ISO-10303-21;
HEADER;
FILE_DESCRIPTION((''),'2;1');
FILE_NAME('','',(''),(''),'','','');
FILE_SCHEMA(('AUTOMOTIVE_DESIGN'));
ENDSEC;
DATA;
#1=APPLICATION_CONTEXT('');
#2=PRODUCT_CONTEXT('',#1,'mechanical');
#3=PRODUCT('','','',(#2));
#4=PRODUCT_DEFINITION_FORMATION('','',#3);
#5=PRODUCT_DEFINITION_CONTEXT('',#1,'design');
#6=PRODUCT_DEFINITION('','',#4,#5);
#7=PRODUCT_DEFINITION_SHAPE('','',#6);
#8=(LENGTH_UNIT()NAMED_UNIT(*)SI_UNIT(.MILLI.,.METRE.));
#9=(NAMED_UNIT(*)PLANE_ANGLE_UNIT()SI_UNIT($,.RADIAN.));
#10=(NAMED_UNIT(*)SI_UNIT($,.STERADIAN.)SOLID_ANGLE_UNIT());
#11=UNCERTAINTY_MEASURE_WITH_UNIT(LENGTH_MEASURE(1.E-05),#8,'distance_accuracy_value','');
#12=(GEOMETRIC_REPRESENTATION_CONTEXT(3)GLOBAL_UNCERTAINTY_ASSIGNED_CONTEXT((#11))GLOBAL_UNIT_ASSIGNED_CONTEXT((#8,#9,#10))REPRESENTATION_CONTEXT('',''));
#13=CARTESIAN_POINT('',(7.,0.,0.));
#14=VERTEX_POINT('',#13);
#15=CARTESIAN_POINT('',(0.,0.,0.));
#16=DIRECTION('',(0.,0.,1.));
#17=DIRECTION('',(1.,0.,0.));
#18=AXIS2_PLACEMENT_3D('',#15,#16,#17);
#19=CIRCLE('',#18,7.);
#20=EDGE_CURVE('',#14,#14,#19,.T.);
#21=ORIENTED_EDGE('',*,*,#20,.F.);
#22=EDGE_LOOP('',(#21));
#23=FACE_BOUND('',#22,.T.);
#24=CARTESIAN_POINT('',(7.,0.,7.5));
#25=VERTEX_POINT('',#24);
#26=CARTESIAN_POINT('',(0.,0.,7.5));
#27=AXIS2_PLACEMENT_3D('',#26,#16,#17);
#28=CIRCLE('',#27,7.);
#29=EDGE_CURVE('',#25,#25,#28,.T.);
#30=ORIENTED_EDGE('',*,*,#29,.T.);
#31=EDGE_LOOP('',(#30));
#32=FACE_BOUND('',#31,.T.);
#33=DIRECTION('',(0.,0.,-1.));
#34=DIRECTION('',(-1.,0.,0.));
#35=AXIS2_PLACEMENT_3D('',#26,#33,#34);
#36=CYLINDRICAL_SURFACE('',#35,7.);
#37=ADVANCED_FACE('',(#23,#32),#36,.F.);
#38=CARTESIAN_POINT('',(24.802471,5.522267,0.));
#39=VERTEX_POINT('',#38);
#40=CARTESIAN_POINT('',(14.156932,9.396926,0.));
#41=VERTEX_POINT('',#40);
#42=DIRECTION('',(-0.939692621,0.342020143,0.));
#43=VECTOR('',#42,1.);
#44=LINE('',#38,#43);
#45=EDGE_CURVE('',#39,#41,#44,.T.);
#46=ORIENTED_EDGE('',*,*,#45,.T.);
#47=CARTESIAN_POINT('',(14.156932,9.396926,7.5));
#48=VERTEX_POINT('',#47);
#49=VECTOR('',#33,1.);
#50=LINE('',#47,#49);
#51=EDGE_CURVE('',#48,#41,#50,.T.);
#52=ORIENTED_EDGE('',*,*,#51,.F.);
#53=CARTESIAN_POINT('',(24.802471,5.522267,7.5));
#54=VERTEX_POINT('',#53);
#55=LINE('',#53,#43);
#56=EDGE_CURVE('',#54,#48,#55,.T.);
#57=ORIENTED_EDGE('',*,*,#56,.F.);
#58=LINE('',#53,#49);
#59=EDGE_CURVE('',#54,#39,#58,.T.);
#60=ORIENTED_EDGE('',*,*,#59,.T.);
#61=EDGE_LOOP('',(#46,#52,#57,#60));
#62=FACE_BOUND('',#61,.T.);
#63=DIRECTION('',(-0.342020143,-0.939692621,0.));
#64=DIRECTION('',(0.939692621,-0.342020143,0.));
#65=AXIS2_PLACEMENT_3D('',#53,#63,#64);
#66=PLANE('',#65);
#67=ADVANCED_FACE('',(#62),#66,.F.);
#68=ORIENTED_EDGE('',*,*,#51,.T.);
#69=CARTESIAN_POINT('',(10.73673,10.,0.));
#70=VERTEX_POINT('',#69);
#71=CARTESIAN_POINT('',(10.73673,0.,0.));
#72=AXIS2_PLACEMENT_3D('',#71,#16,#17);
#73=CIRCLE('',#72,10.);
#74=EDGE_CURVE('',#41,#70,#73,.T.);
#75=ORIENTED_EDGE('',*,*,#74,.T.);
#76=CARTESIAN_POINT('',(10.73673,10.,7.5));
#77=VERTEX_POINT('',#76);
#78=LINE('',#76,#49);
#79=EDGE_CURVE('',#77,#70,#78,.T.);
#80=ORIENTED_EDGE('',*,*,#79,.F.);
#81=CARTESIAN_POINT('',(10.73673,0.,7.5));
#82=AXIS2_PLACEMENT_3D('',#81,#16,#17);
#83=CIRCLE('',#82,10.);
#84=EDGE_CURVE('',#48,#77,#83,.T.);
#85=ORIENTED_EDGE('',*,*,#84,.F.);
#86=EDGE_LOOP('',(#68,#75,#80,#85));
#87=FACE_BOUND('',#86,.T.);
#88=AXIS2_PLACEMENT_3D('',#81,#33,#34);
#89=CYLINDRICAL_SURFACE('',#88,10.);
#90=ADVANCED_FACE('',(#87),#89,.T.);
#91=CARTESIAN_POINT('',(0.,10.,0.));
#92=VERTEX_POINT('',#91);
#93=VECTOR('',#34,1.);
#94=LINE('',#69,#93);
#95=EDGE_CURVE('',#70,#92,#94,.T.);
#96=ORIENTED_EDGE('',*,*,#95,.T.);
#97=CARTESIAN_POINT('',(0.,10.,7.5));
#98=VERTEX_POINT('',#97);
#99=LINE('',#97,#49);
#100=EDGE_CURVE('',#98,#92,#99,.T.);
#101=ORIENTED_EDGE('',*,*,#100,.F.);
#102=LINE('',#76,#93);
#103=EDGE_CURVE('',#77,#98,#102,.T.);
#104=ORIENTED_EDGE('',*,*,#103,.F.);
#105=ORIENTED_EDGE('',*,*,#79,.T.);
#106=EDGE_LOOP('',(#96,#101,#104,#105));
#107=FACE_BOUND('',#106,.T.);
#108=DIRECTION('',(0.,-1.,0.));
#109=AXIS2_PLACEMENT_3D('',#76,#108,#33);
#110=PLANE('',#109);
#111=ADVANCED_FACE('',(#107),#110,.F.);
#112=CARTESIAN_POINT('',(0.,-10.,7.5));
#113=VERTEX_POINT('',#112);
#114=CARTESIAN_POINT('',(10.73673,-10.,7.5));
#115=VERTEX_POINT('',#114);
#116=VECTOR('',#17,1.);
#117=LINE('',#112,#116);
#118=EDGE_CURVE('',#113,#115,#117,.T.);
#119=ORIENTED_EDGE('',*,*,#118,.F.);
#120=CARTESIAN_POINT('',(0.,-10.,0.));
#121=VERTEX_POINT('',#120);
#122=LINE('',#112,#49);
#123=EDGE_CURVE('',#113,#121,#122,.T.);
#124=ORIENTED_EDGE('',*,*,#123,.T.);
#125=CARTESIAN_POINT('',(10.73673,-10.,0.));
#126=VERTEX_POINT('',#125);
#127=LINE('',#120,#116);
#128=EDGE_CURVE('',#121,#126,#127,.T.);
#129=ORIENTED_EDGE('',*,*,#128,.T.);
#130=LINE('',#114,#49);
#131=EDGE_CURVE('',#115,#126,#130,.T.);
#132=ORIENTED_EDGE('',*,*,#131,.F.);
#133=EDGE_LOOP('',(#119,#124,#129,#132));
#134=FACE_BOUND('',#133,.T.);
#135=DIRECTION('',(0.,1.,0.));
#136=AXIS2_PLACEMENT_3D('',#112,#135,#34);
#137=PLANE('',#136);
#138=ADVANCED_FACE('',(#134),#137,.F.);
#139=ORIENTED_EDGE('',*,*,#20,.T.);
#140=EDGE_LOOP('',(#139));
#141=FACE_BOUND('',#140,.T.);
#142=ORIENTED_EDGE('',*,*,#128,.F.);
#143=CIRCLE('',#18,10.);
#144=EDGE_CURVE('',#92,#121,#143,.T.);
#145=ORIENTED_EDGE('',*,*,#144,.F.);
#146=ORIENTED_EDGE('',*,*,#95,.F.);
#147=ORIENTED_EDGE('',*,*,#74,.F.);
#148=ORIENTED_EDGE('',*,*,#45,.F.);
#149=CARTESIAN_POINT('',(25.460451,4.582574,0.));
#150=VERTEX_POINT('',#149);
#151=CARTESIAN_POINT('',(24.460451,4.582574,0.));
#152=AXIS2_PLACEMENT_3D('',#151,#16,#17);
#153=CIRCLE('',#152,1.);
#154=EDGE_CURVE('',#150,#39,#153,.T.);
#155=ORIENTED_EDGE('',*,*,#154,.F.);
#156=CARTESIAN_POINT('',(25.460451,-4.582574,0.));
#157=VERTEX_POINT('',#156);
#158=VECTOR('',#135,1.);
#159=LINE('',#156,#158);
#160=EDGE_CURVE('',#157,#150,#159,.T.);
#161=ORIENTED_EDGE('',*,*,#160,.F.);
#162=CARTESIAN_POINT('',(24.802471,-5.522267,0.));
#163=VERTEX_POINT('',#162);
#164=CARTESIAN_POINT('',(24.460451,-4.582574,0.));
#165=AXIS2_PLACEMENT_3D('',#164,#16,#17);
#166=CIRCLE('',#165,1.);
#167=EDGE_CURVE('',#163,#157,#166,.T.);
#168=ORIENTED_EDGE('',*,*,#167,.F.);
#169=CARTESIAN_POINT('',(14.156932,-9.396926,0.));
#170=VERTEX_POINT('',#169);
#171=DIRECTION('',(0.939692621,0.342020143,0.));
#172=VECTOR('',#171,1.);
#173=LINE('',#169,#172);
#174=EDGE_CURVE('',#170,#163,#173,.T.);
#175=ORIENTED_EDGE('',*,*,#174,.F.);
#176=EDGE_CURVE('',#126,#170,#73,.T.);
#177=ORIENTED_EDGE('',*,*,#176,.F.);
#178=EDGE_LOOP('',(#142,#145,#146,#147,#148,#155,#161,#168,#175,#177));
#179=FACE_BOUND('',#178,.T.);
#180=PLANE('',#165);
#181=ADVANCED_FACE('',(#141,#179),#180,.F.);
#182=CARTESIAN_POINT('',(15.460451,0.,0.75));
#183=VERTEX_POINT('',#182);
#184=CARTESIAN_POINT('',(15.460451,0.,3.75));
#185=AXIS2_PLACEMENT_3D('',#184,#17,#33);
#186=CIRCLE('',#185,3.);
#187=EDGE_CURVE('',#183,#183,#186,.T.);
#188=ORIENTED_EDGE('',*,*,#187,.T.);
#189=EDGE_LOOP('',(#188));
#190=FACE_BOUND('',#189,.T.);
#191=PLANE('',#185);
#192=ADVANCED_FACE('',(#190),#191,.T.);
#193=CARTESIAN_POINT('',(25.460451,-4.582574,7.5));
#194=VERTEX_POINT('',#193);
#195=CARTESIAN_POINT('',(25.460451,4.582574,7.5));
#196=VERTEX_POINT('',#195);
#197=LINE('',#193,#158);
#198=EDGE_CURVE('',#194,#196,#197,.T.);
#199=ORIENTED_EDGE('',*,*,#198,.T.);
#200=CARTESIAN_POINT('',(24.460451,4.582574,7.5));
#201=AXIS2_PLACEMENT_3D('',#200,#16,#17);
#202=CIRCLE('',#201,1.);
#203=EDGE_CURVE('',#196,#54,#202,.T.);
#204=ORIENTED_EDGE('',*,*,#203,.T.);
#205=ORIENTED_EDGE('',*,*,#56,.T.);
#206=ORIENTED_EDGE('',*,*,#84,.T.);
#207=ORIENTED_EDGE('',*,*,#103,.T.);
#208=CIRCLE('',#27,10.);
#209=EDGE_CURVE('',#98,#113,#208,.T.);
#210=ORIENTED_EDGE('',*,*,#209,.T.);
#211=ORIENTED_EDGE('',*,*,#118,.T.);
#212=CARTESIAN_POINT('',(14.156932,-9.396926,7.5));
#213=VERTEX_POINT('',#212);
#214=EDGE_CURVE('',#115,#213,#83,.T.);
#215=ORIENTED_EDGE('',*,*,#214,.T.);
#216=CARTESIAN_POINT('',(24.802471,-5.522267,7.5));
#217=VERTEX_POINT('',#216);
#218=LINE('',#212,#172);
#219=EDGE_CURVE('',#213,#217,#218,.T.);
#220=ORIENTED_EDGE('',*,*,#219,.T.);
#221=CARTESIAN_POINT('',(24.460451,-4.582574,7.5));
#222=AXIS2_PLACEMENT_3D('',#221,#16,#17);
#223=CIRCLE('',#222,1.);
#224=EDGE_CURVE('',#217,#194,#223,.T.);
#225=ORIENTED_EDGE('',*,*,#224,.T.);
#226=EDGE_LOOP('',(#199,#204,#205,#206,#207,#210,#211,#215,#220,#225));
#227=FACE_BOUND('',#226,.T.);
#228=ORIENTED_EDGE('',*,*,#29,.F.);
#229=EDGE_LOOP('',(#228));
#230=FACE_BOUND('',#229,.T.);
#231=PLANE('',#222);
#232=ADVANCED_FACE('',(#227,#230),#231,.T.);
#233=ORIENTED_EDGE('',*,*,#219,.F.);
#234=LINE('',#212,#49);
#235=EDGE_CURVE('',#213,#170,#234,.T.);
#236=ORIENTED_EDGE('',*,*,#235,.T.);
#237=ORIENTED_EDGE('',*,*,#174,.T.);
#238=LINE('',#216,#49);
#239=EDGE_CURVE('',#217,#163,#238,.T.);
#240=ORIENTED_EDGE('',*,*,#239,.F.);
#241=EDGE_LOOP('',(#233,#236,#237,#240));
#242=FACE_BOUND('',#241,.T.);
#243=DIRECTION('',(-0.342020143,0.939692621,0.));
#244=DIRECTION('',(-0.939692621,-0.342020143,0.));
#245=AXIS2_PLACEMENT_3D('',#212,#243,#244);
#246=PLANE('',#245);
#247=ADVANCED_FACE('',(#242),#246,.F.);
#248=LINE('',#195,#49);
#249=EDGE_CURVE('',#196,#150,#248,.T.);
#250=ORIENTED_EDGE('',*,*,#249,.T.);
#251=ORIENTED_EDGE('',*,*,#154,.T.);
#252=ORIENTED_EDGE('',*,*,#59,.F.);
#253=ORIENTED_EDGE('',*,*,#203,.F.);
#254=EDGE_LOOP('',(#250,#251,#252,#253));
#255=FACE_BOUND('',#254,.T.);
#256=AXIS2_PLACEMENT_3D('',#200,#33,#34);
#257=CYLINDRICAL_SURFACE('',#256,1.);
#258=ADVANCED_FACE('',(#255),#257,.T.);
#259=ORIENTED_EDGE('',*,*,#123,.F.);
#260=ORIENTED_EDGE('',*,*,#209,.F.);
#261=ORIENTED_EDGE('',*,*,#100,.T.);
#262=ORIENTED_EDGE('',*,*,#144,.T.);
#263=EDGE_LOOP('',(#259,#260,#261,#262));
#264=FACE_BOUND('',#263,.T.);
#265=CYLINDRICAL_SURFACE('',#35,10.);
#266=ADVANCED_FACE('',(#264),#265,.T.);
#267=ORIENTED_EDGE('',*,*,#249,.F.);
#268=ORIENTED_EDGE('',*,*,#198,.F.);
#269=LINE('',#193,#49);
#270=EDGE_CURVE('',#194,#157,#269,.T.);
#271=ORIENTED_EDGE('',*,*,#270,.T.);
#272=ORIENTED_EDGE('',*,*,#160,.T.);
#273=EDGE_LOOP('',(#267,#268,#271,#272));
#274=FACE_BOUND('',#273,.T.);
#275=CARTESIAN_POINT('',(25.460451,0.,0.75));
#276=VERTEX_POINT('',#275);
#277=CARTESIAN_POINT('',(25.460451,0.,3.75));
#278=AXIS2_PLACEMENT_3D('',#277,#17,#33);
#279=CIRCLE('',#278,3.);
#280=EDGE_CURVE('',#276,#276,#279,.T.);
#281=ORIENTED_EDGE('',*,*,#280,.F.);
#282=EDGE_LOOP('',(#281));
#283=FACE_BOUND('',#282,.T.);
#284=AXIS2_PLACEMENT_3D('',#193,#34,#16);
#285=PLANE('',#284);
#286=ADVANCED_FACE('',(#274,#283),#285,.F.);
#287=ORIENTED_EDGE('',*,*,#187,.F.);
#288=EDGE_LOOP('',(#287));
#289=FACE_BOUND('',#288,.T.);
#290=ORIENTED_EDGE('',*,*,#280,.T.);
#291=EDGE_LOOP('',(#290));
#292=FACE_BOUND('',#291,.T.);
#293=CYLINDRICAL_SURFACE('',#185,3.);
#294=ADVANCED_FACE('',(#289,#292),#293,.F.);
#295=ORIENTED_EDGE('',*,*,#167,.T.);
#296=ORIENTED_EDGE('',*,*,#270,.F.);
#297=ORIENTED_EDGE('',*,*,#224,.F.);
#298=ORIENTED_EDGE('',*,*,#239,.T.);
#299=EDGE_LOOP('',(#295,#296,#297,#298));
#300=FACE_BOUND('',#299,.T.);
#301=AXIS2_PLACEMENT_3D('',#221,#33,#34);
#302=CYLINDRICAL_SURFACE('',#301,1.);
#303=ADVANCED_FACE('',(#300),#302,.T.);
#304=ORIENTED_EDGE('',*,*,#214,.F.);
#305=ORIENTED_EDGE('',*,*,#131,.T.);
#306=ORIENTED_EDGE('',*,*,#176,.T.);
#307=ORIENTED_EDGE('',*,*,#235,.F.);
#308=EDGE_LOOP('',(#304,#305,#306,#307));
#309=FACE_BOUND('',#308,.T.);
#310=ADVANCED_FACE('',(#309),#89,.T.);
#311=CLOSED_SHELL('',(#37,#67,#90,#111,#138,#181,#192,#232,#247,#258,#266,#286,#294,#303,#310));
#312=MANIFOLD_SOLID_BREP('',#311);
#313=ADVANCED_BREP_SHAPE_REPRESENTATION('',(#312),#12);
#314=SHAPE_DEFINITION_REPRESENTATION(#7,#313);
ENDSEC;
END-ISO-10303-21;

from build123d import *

# Parameters (mm, degrees)
SKETCH1_R           = 7
BOSS_EXTRUDE1_DEPTH = 7.5
SKETCH2_R           = 3
CUT_EXTRUDE1_DEPTH  = 10


with BuildPart() as part:
    # Sketch1 → Boss-Extrude1 (new body)
    with BuildSketch(Plane.XY):
        with BuildLine():
            Line((25.460451105, -4.582574037), (25.460451105, 4.582574037))
            ThreePointArc((25.460451105, 4.582574037), (25.279603149, 5.156150473), (24.802471248, 5.522266658))
            Line((24.802471248, 5.522266658), (14.156931626, 9.396926208))
            ThreePointArc((14.156931626, 9.396926208), (12.47321197, 9.84807753), (10.736730193, 10))
            Line((10.736730193, 10), (0, 10))
            ThreePointArc((0, 10), (-10, 0), (0, -10))
            Line((0, -10), (10.736730193, -10))
            ThreePointArc((10.736730193, -10), (12.47321197, -9.84807753), (14.156931626, -9.396926208))
            Line((14.156931626, -9.396926208), (24.802471248, -5.522266658))
            ThreePointArc((24.802471248, -5.522266658), (25.279603149, -5.156150473), (25.460451105, -4.582574037))
        make_face()
        Circle(SKETCH1_R, mode=Mode.SUBTRACT)
    extrude(amount=BOSS_EXTRUDE1_DEPTH)

    # Sketch2 → Cut-Extrude1 (cut)
    with BuildSketch(Plane(origin=(25.460451105, 0, 0), x_dir=(0, 0, -1), z_dir=(1, 0, 0))):
        with Locations((-3.75, 0)):
            Circle(SKETCH2_R)
    extrude(amount=-CUT_EXTRUDE1_DEPTH, mode=Mode.SUBTRACT)


solid = part.part
